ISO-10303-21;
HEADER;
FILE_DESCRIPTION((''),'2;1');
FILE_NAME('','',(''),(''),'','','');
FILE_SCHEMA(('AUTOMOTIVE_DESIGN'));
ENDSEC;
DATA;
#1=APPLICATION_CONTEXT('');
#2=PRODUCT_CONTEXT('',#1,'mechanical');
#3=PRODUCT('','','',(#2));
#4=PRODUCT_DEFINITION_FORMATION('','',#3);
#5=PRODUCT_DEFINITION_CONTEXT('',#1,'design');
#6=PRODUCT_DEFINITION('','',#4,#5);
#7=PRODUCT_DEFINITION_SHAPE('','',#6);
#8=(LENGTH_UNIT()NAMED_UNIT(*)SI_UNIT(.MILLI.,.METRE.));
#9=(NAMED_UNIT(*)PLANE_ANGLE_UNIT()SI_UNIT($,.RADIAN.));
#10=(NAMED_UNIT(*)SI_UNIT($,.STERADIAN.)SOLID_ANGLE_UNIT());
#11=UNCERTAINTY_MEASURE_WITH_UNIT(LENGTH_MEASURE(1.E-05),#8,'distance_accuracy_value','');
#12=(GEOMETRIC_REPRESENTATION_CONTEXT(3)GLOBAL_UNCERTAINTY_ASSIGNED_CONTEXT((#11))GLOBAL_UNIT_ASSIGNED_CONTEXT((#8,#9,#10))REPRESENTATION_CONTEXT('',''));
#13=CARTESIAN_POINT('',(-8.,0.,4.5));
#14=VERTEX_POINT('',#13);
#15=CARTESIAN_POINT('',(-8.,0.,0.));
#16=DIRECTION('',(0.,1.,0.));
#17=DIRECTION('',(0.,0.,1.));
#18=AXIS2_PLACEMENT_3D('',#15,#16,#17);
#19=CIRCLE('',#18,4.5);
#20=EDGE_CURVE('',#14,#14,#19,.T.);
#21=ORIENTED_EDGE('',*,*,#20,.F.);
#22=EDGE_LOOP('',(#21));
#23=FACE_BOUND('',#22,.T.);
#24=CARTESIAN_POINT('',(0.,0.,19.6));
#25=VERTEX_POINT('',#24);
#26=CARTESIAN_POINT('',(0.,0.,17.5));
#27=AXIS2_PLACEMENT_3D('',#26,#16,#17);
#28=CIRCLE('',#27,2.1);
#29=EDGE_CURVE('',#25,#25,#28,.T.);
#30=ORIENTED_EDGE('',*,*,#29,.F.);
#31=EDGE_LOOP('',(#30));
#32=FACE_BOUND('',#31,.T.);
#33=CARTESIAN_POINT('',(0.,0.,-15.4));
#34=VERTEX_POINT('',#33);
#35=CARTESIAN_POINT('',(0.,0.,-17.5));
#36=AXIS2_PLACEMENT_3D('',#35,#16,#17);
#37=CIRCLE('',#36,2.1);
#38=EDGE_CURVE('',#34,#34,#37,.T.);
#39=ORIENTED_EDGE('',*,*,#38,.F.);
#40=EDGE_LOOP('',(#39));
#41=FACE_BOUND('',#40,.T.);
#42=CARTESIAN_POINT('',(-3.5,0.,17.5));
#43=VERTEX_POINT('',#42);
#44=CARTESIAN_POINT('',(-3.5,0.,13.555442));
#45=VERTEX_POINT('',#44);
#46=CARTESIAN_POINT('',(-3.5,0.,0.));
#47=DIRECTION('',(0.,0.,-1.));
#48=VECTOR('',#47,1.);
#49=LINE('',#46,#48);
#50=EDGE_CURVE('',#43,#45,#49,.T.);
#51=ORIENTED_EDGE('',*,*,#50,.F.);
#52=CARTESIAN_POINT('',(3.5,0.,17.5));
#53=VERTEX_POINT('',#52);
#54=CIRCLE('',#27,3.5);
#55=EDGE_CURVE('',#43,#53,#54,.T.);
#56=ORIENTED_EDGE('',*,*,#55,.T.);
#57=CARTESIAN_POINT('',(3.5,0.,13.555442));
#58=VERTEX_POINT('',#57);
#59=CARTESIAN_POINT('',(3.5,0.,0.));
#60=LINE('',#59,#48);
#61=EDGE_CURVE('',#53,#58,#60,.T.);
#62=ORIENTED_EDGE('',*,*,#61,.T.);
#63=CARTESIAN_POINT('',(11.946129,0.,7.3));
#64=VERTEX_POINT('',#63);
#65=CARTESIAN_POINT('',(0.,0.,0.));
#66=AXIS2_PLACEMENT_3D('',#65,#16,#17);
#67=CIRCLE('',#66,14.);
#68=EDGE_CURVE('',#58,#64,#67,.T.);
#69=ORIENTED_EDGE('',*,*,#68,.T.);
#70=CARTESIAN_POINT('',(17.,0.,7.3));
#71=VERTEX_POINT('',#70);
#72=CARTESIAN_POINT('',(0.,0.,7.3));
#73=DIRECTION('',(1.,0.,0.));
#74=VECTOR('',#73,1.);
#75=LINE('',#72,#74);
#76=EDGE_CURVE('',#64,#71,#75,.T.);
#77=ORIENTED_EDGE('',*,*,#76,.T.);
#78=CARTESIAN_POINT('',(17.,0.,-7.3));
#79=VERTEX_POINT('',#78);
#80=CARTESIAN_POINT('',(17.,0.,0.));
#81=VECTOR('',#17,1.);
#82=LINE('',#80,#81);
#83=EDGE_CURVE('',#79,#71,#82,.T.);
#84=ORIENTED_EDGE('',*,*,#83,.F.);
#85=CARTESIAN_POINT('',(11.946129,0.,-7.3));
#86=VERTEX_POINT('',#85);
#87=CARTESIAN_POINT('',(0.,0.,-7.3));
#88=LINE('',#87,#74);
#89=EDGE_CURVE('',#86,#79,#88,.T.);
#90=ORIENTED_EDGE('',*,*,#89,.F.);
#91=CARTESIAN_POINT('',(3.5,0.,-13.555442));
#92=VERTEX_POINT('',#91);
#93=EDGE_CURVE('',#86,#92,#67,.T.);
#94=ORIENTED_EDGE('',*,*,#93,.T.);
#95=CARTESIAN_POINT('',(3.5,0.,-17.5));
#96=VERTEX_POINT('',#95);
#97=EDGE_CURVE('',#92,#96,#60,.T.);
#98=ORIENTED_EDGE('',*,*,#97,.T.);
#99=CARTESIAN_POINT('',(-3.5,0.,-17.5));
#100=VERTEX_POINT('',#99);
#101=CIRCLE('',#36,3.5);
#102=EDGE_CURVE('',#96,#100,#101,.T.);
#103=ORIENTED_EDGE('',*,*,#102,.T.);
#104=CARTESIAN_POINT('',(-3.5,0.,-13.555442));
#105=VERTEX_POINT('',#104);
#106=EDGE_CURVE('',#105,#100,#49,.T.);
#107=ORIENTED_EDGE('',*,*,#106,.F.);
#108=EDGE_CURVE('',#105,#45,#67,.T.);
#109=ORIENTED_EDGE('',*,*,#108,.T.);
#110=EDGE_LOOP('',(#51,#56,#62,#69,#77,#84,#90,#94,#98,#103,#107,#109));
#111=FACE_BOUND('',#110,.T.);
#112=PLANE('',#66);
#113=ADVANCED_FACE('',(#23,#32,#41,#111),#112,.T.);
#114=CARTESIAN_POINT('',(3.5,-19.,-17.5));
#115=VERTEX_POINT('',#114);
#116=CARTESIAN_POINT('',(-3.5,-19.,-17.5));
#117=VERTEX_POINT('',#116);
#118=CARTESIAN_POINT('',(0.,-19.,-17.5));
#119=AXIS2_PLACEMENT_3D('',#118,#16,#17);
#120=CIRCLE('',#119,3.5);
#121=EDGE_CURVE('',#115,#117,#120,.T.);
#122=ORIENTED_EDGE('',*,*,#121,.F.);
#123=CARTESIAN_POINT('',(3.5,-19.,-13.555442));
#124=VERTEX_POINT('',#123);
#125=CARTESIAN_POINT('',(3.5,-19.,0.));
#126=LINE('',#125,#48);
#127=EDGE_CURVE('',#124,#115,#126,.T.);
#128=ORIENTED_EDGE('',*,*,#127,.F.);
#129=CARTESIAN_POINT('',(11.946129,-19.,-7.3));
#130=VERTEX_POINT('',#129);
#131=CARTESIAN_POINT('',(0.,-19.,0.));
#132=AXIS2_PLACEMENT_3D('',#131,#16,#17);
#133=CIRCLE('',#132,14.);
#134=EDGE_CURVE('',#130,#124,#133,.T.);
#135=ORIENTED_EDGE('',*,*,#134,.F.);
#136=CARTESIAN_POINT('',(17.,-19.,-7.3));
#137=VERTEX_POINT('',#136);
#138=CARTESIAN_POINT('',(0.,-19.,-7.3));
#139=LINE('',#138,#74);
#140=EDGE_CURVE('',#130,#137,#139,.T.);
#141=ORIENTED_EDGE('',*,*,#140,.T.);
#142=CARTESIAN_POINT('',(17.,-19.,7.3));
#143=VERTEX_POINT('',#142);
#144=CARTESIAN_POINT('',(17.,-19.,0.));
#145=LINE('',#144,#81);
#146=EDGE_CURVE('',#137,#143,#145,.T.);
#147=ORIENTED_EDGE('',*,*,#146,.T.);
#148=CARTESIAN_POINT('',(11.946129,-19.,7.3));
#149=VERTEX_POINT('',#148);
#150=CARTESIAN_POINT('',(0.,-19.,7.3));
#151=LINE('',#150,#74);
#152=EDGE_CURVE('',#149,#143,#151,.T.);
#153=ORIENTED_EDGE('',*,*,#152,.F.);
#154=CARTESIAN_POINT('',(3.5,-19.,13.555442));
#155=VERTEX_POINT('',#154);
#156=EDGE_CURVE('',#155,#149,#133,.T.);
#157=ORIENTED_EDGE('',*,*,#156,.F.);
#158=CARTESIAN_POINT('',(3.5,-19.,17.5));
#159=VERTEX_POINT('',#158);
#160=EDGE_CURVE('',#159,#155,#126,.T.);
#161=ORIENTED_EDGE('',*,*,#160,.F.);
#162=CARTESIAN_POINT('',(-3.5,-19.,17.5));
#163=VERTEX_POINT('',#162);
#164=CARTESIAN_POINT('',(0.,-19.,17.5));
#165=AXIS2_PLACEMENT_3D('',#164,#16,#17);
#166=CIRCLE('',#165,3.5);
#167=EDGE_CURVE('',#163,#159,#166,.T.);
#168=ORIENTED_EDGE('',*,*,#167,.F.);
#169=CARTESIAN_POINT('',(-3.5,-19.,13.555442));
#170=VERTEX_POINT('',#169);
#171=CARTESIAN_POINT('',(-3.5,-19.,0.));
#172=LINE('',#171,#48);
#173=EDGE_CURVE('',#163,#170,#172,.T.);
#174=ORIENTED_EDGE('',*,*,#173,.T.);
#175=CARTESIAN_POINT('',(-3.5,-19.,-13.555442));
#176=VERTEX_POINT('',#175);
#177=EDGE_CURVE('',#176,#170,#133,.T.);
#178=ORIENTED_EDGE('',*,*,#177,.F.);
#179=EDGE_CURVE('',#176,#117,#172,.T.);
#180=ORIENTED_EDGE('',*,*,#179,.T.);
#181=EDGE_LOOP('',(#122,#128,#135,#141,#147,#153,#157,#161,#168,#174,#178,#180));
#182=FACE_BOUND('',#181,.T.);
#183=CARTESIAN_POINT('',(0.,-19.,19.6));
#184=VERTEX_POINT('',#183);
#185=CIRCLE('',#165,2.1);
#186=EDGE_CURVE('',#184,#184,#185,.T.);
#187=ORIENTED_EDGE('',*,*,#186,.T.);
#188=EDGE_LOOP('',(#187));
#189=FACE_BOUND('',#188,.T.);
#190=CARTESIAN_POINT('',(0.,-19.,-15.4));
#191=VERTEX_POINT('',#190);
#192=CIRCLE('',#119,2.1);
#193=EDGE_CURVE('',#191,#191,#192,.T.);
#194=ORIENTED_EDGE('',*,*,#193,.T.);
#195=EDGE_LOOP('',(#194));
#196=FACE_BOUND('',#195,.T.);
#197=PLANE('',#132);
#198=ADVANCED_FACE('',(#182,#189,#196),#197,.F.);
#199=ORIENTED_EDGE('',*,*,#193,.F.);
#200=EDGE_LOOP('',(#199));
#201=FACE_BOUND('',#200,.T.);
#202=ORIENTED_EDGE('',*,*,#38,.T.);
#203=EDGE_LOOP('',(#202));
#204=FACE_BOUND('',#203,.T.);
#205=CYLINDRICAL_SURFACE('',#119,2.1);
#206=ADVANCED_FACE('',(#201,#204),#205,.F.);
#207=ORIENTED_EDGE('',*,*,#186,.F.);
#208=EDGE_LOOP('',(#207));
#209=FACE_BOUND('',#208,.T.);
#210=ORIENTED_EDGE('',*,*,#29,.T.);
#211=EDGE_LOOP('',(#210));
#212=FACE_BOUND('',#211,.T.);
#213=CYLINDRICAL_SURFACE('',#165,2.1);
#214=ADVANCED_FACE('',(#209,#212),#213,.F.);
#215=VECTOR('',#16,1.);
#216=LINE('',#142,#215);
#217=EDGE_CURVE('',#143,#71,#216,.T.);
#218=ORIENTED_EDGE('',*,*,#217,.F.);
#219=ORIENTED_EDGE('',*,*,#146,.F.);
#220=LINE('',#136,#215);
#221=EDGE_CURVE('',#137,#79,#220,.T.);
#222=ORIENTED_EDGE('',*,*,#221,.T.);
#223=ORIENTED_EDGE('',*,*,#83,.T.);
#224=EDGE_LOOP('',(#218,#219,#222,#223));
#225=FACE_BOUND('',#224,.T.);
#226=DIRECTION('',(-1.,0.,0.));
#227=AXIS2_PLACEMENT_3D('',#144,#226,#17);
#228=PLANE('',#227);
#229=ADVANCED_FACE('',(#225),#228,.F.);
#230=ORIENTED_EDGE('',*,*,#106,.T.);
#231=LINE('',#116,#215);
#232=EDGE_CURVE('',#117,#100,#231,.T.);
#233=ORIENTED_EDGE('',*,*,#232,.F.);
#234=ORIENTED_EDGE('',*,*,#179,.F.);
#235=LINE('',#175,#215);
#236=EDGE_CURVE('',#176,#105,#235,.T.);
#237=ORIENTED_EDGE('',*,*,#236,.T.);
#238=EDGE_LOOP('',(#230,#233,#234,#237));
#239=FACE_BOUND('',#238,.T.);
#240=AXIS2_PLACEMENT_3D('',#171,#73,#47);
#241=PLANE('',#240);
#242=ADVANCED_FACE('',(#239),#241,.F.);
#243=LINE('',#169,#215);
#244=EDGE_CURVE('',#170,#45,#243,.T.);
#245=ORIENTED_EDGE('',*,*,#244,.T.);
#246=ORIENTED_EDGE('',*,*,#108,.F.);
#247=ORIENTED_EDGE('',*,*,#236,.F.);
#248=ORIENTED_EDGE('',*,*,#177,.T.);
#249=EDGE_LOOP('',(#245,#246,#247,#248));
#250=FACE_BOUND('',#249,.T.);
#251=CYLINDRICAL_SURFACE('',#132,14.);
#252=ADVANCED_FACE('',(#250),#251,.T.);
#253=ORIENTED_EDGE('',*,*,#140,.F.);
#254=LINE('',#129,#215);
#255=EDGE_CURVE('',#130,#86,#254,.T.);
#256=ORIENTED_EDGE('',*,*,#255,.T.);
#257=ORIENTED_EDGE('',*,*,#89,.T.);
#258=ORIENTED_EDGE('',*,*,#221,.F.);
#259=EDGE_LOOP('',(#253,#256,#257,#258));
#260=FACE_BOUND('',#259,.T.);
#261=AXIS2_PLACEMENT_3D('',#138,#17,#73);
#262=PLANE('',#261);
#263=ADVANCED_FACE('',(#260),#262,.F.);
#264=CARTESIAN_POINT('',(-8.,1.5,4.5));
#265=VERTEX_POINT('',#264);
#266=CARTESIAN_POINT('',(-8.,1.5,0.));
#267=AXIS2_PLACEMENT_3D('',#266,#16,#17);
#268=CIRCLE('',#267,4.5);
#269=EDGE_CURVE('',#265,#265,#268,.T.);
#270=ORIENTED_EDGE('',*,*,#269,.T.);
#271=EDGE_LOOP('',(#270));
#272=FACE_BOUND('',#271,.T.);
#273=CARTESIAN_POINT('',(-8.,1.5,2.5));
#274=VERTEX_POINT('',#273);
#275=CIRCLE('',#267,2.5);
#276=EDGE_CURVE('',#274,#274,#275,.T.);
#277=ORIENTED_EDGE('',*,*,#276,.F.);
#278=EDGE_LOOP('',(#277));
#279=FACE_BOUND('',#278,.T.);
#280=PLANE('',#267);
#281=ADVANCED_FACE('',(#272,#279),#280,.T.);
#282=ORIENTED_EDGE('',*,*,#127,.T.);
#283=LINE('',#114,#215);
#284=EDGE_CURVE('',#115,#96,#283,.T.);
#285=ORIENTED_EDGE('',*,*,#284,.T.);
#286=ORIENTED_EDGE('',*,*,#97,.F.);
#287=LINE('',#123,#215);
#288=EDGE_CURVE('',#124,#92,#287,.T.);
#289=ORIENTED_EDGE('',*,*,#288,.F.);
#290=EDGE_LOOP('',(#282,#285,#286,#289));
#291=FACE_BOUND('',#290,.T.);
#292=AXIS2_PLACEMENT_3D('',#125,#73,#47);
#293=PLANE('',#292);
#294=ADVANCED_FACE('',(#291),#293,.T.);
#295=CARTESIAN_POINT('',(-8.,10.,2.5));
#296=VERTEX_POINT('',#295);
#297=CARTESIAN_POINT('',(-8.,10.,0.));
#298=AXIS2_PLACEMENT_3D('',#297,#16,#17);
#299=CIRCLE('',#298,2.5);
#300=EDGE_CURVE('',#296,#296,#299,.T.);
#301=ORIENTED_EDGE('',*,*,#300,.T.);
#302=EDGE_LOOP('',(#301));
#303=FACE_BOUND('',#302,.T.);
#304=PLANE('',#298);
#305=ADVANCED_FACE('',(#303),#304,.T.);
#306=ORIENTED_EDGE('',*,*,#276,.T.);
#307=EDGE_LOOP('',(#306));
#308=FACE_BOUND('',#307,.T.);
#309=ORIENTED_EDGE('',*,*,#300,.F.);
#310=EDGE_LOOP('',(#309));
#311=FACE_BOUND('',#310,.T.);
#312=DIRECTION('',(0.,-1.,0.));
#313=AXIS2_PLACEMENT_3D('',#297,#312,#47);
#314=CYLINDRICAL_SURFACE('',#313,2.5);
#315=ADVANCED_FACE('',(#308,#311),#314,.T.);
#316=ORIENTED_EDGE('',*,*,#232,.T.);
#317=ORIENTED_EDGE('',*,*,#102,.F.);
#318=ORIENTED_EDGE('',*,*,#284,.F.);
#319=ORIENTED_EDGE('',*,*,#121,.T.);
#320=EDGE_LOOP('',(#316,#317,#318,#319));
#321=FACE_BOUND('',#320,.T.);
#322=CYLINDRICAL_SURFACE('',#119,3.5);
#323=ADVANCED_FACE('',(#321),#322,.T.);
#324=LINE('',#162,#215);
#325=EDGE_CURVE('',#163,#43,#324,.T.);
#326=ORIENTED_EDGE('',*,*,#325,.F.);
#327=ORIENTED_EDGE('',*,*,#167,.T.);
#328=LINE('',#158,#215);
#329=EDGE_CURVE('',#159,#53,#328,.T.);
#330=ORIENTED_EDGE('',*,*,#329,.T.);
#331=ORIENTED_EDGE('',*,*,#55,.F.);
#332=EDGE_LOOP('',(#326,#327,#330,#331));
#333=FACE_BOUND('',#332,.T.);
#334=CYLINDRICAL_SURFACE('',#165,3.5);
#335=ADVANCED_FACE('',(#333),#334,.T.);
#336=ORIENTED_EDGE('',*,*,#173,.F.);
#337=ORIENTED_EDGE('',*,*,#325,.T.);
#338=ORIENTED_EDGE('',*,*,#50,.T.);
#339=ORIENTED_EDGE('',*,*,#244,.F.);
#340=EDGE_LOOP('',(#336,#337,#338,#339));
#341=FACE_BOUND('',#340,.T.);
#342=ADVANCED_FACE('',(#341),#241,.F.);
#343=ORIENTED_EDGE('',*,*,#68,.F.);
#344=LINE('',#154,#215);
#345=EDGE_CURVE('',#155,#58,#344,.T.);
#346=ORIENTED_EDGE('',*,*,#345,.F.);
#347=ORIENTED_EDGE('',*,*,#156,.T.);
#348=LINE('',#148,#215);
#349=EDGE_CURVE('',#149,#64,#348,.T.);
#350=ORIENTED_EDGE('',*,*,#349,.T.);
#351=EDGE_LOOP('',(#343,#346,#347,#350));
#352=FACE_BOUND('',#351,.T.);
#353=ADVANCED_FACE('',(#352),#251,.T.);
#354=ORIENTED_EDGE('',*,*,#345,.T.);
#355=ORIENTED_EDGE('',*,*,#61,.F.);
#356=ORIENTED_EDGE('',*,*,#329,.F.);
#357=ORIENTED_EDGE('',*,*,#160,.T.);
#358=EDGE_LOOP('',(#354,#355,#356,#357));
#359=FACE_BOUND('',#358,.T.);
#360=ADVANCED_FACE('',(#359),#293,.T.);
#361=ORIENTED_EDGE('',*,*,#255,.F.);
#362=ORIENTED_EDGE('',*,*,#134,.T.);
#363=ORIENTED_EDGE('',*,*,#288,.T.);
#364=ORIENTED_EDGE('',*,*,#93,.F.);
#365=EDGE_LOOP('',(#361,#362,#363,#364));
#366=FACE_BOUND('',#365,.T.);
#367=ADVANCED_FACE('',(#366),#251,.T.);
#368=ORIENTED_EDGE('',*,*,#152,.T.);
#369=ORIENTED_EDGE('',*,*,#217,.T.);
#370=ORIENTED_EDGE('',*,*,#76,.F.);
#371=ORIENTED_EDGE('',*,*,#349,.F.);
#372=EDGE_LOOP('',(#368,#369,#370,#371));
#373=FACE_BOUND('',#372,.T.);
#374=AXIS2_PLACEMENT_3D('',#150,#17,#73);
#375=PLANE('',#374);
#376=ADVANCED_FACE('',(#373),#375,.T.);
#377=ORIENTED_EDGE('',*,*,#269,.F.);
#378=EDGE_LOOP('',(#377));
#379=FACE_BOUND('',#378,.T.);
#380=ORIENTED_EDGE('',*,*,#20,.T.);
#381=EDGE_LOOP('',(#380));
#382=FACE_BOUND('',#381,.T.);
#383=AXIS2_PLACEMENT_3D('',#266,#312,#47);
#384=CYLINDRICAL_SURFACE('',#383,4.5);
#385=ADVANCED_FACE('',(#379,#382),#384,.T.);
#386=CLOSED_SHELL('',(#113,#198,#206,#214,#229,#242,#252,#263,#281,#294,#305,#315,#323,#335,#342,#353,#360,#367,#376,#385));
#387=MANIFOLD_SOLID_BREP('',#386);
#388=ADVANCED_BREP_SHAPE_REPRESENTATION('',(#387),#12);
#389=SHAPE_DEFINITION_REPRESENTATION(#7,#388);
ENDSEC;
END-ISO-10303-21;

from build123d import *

# Parameters (mm, degrees)
SKETCH1_R           = 14
SKETCH1_R_2         = 2.1
SKETCH1_W           = 5.05387092
SKETCH1_H           = 14.6
BOSS_EXTRUDE1_DEPTH = 19
SKETCH2_R           = 4.5
BOSS_EXTRUDE2_DEPTH = 1.5
SKETCH3_R           = 2.5
BOSS_EXTRUDE3_DEPTH = 8.5


with BuildPart() as part:
    # Sketch1 → Boss-Extrude1 (new body)
    # profile 1 of 3: a face of its own
    with BuildSketch(Plane(origin=(0, 0, 0), x_dir=(1, 0, 0), z_dir=(0, 1, 0))):
        Circle(SKETCH1_R)
    # profile 2 of 3: a face of its own
    with BuildSketch(Plane(origin=(0, 0, 0), x_dir=(1, 0, 0), z_dir=(0, 1, 0))):
        with BuildLine():
            Line((-3.5, -17.5), (-3.5, 17.5))
            ThreePointArc((-3.5, 17.5), (0, 21), (3.5, 17.5))
            Line((3.5, 17.5), (3.5, -17.5))
            ThreePointArc((3.5, -17.5), (0, -21), (-3.5, -17.5))
        make_face()
        with Locations(Location((0, -17.5, 0), (0, 0, 270))):
            Circle(SKETCH1_R_2, mode=Mode.SUBTRACT)
        with Locations(Location((0, 17.5, 0), (0, 0, 270))):
            Circle(SKETCH1_R_2, mode=Mode.SUBTRACT)
    # profile 3 of 3: a face of its own
    with BuildSketch(Plane(origin=(0, 0, 0), x_dir=(1, 0, 0), z_dir=(0, 1, 0))):
        with Locations((14.47306454, 0)):
            Rectangle(SKETCH1_W, SKETCH1_H)
    extrude(amount=-BOSS_EXTRUDE1_DEPTH)

    # Sketch2 → Boss-Extrude2 (add)
    with BuildSketch(Plane(origin=(0, 0, 0), x_dir=(1, 0, 0), z_dir=(0, 1, 0))):
        with Locations(Location((-8, 0, 0), (0, 0, 270))):
            Circle(SKETCH2_R)
    extrude(amount=BOSS_EXTRUDE2_DEPTH)

    # Sketch3 → Boss-Extrude3 (add)
    with BuildSketch(Plane(origin=(0, 1.5, 0), x_dir=(1, 0, 0), z_dir=(0, 1, 0))):
        with Locations(Location((-8, 0, 0), (0, 0, 270))):
            Circle(SKETCH3_R)
    extrude(amount=BOSS_EXTRUDE3_DEPTH)


solid = part.part
